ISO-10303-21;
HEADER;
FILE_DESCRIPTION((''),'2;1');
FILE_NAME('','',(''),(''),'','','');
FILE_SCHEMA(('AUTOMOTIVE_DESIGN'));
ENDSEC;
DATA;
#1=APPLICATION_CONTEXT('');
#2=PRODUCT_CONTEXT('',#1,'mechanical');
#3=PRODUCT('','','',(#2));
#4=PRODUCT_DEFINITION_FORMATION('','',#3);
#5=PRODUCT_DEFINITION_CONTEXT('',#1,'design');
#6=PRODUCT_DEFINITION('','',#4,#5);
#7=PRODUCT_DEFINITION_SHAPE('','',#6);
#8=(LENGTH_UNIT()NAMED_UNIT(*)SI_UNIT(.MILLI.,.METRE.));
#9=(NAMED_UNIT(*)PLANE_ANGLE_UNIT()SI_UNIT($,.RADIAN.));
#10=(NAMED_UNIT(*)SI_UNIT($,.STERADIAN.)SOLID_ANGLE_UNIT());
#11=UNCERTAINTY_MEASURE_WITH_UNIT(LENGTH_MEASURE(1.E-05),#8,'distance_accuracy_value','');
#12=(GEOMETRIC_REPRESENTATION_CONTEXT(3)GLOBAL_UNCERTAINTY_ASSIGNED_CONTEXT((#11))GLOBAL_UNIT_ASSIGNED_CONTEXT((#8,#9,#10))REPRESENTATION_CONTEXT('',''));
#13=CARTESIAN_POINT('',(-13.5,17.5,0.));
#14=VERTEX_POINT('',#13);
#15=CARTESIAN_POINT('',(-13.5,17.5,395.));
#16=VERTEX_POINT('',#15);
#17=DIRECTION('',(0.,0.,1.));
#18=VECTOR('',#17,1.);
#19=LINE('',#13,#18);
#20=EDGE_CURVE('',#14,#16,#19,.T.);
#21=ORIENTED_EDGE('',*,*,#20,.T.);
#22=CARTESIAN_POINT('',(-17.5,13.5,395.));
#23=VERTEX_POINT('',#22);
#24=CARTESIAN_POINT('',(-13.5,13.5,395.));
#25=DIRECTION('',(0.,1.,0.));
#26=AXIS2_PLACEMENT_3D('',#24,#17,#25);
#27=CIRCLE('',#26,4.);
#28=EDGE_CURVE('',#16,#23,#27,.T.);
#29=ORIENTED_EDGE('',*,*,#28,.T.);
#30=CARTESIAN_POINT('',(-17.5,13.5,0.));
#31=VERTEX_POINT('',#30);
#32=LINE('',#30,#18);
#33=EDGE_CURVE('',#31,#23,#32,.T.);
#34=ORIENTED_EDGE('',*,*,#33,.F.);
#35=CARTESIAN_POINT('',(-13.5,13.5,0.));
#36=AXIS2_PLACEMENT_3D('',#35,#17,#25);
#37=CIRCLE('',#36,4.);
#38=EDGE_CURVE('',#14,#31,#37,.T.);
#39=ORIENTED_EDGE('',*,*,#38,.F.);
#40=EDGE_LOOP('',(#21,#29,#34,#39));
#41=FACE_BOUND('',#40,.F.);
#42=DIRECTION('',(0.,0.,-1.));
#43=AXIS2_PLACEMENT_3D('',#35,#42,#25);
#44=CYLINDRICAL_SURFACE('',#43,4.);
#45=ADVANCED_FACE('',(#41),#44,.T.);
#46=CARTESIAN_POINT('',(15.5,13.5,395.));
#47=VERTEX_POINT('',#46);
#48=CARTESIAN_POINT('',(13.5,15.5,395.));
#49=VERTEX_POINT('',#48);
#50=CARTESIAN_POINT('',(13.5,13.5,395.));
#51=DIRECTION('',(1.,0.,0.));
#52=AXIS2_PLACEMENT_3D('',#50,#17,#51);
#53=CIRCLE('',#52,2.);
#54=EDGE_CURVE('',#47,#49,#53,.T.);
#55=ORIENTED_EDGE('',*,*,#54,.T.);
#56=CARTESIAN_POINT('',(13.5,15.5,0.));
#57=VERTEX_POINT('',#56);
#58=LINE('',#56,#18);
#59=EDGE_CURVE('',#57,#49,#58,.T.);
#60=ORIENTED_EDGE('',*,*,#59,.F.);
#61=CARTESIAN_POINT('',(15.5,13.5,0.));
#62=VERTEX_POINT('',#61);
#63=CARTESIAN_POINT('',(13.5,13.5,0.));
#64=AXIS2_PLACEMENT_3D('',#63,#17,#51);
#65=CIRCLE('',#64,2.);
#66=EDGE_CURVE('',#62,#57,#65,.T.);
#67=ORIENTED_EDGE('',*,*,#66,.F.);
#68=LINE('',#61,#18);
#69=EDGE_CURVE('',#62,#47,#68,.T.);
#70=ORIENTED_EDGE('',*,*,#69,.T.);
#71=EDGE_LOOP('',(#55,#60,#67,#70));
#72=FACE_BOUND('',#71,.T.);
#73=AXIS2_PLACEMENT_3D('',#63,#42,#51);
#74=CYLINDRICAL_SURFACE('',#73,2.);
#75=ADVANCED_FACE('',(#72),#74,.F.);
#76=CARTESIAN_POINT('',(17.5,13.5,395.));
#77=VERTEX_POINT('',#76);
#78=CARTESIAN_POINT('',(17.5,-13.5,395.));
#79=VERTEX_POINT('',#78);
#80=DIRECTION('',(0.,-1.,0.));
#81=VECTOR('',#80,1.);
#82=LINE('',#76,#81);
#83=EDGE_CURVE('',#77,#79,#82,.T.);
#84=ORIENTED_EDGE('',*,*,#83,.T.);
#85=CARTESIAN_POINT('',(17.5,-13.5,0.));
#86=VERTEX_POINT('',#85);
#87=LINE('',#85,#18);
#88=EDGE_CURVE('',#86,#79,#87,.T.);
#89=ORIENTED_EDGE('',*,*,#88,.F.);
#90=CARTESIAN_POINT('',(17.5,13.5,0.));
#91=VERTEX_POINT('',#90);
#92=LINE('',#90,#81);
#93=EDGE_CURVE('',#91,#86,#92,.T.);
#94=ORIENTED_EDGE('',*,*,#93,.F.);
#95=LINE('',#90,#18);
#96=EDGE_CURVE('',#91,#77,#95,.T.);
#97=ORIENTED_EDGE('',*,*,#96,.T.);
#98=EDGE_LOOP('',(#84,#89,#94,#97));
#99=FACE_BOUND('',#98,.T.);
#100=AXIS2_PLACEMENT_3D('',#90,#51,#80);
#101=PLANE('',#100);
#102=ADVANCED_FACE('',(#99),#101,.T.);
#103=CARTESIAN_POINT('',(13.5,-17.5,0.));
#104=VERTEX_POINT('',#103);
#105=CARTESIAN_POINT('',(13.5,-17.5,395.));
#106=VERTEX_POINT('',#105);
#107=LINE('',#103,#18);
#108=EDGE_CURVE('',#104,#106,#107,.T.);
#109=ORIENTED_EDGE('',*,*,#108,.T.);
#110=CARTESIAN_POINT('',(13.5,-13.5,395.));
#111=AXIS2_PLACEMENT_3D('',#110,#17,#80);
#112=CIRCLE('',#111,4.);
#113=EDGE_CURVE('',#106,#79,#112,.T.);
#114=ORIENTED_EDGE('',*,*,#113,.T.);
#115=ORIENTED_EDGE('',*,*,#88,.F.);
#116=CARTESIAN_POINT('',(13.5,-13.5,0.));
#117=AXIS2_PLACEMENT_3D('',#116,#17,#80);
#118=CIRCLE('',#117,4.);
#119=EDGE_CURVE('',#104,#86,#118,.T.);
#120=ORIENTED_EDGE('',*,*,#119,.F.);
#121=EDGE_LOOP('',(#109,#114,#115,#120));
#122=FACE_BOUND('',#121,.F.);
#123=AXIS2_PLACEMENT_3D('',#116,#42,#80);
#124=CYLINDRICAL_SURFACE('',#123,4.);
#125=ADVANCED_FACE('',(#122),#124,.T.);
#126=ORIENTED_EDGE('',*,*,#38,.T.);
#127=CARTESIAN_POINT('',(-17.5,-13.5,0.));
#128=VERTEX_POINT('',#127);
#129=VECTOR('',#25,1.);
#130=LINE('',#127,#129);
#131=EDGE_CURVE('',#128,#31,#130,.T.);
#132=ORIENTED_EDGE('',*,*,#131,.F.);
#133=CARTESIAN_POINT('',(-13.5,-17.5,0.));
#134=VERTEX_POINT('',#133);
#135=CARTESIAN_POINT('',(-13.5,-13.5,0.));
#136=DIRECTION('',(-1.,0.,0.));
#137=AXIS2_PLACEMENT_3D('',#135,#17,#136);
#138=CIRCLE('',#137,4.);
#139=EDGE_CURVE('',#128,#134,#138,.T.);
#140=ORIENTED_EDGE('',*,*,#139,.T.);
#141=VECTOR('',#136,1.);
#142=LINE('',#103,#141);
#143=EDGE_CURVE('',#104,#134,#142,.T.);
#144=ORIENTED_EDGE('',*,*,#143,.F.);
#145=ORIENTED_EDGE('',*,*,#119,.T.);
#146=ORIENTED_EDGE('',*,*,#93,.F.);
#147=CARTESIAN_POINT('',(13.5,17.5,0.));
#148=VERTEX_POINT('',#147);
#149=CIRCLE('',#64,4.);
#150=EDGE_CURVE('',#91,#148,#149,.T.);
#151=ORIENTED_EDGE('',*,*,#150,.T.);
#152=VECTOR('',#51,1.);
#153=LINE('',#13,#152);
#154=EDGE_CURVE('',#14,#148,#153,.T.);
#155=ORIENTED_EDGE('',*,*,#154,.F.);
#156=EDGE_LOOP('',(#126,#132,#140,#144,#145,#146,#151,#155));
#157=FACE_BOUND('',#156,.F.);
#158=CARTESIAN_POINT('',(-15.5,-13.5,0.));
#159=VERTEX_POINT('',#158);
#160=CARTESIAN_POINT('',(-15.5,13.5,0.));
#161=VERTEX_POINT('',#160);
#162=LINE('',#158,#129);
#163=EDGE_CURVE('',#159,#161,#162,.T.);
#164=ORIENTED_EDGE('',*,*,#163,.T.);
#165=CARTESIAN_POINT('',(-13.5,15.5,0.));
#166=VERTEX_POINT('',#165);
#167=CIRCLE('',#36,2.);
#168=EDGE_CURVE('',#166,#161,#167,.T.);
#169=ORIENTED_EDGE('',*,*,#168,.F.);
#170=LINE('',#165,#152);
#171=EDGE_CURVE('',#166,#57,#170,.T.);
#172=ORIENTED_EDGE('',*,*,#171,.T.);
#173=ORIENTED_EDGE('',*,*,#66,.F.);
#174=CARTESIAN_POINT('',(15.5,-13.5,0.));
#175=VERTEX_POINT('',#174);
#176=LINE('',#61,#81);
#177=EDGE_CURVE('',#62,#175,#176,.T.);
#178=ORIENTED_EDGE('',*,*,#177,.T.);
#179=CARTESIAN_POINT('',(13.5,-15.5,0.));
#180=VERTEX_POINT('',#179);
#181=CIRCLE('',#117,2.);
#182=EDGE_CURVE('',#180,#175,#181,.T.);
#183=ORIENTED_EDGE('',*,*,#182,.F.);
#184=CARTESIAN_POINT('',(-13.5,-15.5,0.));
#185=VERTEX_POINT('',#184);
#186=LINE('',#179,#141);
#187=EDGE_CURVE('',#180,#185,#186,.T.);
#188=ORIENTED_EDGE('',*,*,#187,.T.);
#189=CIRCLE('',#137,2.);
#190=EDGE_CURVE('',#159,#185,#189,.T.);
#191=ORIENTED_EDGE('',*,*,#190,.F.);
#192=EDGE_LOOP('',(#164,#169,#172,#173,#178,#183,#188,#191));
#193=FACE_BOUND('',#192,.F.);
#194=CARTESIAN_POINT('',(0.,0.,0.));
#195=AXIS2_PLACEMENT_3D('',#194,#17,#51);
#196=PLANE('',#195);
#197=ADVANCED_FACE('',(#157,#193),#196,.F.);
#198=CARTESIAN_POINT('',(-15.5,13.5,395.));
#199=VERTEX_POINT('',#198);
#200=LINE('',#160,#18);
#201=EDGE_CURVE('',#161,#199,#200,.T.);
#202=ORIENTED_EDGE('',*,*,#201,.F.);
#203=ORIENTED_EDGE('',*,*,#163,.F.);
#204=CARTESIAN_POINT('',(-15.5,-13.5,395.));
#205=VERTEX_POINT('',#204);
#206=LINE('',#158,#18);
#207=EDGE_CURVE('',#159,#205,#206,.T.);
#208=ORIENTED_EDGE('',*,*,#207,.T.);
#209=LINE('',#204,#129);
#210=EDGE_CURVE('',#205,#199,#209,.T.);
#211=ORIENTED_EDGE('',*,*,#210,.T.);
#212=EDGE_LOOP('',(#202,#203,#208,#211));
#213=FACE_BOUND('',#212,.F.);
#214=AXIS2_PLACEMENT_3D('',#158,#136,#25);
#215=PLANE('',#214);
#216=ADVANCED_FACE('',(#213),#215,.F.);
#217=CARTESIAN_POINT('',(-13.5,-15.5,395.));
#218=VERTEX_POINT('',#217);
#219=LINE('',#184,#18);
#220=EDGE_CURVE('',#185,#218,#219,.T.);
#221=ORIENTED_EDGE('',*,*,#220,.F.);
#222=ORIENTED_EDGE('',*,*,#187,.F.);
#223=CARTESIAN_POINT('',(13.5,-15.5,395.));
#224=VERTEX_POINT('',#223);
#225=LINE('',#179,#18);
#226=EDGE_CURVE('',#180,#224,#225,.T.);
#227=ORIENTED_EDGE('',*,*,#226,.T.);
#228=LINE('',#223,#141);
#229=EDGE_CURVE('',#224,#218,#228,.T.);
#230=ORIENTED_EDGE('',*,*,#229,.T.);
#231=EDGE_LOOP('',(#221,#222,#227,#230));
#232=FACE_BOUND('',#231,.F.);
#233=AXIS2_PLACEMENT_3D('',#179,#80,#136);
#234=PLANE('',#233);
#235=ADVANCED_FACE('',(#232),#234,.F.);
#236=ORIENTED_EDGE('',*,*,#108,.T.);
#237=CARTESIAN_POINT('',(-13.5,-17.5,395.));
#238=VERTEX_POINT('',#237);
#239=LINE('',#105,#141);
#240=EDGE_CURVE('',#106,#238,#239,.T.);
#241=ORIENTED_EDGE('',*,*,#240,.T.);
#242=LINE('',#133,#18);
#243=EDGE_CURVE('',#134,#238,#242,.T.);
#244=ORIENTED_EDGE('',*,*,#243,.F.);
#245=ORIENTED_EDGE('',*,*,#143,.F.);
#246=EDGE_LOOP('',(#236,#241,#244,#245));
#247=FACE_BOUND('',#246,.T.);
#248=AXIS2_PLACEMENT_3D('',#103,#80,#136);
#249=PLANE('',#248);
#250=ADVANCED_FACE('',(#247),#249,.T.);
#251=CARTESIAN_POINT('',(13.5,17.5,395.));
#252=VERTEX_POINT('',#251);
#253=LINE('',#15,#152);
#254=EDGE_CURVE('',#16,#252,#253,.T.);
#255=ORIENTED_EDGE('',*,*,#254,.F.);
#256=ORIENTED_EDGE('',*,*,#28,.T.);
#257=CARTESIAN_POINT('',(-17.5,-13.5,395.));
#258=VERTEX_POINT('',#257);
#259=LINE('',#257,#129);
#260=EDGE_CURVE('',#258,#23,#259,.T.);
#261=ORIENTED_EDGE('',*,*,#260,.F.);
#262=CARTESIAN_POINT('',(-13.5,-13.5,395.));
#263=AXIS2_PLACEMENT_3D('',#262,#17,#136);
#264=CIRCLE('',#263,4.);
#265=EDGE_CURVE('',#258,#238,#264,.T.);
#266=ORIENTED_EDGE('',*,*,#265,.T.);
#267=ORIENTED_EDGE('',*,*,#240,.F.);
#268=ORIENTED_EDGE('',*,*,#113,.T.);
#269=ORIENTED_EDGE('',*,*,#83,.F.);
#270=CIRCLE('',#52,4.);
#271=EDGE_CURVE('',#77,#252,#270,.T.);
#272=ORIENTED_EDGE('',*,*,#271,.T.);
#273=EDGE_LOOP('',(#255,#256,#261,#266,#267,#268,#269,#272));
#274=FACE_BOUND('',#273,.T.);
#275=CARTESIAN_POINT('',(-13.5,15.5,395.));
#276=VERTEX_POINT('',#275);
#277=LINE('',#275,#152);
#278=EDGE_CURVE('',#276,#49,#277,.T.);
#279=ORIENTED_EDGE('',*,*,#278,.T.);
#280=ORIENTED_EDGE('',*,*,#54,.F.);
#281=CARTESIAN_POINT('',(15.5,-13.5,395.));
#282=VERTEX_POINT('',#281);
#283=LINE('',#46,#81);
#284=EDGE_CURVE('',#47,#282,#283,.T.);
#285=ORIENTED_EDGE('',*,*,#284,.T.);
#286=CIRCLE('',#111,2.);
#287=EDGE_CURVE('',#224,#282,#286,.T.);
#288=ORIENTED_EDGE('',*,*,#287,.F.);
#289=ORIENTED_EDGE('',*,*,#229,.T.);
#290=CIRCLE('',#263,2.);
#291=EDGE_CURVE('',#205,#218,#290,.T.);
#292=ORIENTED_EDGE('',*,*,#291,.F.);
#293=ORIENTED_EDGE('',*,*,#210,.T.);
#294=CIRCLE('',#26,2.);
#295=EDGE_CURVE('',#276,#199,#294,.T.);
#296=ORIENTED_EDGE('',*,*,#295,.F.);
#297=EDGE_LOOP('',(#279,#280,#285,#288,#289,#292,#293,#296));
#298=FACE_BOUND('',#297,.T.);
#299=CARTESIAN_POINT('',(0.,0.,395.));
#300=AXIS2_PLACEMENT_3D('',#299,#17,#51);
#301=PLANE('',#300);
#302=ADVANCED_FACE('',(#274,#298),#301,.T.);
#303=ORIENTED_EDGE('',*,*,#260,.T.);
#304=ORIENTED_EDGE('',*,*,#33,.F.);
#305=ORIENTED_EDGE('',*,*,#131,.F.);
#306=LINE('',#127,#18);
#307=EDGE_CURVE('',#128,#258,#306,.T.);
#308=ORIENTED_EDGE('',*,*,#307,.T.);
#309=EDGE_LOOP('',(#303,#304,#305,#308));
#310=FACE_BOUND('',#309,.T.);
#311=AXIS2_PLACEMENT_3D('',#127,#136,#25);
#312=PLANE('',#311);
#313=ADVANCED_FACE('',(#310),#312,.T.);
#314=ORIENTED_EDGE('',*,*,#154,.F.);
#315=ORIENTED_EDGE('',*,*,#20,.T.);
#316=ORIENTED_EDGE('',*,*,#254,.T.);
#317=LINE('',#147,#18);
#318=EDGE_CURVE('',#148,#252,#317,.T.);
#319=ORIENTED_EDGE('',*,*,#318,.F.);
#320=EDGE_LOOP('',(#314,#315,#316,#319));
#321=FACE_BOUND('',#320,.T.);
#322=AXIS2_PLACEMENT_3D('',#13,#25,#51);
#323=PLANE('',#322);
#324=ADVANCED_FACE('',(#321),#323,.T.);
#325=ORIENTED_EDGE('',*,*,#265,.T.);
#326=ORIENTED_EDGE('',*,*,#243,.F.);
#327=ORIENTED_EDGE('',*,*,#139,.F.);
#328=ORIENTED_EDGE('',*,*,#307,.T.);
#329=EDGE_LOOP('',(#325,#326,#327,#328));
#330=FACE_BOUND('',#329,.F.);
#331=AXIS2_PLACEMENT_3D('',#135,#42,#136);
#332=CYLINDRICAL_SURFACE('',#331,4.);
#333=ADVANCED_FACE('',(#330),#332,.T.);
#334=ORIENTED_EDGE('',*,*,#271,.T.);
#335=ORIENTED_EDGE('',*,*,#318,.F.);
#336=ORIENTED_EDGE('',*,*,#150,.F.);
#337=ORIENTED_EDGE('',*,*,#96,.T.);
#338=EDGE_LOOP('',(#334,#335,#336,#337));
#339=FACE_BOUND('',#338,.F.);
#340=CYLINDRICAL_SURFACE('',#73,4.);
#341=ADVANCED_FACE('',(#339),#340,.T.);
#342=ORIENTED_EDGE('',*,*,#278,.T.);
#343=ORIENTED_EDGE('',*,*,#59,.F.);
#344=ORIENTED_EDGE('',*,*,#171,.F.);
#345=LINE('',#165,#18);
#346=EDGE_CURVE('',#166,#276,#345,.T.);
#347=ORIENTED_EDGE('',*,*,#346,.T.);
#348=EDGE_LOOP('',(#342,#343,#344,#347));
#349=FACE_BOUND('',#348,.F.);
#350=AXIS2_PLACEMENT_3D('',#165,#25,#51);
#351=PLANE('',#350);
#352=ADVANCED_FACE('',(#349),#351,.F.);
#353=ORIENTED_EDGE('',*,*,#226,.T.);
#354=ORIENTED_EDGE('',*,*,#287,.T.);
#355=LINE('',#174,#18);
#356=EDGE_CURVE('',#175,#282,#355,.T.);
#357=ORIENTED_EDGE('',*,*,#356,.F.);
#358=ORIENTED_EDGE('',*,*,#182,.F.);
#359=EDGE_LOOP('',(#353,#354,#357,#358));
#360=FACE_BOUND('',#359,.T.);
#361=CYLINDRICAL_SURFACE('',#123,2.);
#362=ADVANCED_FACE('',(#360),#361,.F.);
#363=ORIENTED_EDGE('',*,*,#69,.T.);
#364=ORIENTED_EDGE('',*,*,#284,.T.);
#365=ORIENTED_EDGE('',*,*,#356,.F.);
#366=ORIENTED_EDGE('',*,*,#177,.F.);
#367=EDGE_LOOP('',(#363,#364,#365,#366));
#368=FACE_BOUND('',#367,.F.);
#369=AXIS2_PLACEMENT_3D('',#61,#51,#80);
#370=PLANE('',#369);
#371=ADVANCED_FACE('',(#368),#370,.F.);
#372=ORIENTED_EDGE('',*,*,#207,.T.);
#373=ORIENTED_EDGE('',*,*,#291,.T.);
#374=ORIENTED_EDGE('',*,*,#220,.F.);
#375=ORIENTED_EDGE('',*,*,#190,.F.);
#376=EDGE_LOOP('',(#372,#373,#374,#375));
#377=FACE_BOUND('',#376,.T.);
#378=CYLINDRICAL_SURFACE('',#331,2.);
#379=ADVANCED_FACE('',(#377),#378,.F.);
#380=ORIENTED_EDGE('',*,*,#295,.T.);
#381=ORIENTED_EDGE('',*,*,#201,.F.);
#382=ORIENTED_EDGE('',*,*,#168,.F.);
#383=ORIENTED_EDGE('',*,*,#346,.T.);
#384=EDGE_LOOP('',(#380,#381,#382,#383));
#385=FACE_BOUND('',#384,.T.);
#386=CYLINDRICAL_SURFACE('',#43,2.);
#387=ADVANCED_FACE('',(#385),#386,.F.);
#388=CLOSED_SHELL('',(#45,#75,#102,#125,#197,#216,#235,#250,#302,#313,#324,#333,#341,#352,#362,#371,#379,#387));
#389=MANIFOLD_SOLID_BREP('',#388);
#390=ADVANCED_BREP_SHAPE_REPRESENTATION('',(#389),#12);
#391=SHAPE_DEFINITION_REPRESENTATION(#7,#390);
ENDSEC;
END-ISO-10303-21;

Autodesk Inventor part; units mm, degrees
ref_plane "YZ Plane" through (0, 0, 0) normal (1, 0, 0) x (0, 1, 0)
ref_plane "Start plane" through (0, 0, 0) normal (0, 0, 1) x (1, 0, 0)
ref_plane "End plane" through (0, 0, 395) normal (0, 0, 1) x (1, 0, 0)
sketch "Sketch" plane through (0, 0, 0) normal (0, 0, 1) x (1, 0, 0)
  line L0 (-17.5, -13.5) -> (-17.5, 13.5)
  line L1 (-13.5, 17.5) -> (13.5, 17.5)
  line L2 (17.5, 13.5) -> (17.5, -13.5)
  line L3 (13.5, -17.5) -> (-13.5, -17.5)
  arc A0 (-17.5, -13.5) -> (-13.5, -17.5) centre (-13.5, -13.5) ccw
  arc A1 (-13.5, 17.5) -> (-17.5, 13.5) centre (-13.5, 13.5) ccw
  arc A2 (17.5, 13.5) -> (13.5, 17.5) centre (13.5, 13.5) ccw
  arc A3 (13.5, -17.5) -> (17.5, -13.5) centre (13.5, -13.5) ccw
  arc A4 (-13.5, 15.5) -> (-15.5, 13.5) centre (-13.5, 13.5) ccw
  line L4 (-13.5, 15.5) -> (13.5, 15.5)
  arc A5 (15.5, 13.5) -> (13.5, 15.5) centre (13.5, 13.5) ccw
  line L5 (15.5, 13.5) -> (15.5, -13.5)
  arc A6 (13.5, -15.5) -> (15.5, -13.5) centre (13.5, -13.5) ccw
  line L6 (13.5, -15.5) -> (-13.5, -15.5)
  arc A7 (-15.5, -13.5) -> (-13.5, -15.5) centre (-13.5, -13.5) ccw
  line L7 (-15.5, -13.5) -> (-15.5, 13.5)
  line L8 (0, 25.6598) -> (0, -25.6598) construction
  line L9 (-25.6598, 0) -> (25.6598, 0) construction
  dimension "d7" = 4
  dimension "d10" = 35
  dimension "d11" = 35
  dimension "d12" = 2
  dimension "d15" = 17.5
  dimension "d16" = 17.5
extrude "Body" add sketch "Sketch" along normal up to surface (395 mm away) from surface at 0
sketch "Sketch3" plane through (0, 0, 0) normal (0, 0, 1) x (1, 0, 0)
  line L0 (0, 0) -> (10, 0)
ref_plane "Work Plane3" through (0, 0, 0) normal (0, -1, 0) x (1, 0, 0)
sketch "Sketch4" plane through (0, 0, 0) normal (0, -1, 0) x (1, 0, 0)
  line L0 (-2, 0) -> (12, 0)
  line L1 (-2, 395) -> (12, 395)
  dimension "d18" = 395
equation "\"d7\" = G_IR"
equation "\"d10\" = G_H"
equation "\"d11\" = G_W"
equation "\"d12\" = G_T"
equation "\"d15\" = 0.5 * d10"
equation "\"d16\" = 0.5 * d11"
equation "\"d3\" = G_L"
equation "\"G_W\" = 35"
equation "\"G_H\" = 35"
equation "\"G_T\" = 2"
equation "\"G_IR\" = 4"
equation "\"G_L\" = d18"
equation "\"G_OFFSET_START\" = 0"
equation "\"G_OFFSET_END\" = 0"
equation "\"d14\" = G_OFFSET_END + B_L"
equation "\"B_L\" = 395"
properties part number "AS 1163 - C350L0 35x35x2.0 SHS - 395" material "Steel, Mild"
